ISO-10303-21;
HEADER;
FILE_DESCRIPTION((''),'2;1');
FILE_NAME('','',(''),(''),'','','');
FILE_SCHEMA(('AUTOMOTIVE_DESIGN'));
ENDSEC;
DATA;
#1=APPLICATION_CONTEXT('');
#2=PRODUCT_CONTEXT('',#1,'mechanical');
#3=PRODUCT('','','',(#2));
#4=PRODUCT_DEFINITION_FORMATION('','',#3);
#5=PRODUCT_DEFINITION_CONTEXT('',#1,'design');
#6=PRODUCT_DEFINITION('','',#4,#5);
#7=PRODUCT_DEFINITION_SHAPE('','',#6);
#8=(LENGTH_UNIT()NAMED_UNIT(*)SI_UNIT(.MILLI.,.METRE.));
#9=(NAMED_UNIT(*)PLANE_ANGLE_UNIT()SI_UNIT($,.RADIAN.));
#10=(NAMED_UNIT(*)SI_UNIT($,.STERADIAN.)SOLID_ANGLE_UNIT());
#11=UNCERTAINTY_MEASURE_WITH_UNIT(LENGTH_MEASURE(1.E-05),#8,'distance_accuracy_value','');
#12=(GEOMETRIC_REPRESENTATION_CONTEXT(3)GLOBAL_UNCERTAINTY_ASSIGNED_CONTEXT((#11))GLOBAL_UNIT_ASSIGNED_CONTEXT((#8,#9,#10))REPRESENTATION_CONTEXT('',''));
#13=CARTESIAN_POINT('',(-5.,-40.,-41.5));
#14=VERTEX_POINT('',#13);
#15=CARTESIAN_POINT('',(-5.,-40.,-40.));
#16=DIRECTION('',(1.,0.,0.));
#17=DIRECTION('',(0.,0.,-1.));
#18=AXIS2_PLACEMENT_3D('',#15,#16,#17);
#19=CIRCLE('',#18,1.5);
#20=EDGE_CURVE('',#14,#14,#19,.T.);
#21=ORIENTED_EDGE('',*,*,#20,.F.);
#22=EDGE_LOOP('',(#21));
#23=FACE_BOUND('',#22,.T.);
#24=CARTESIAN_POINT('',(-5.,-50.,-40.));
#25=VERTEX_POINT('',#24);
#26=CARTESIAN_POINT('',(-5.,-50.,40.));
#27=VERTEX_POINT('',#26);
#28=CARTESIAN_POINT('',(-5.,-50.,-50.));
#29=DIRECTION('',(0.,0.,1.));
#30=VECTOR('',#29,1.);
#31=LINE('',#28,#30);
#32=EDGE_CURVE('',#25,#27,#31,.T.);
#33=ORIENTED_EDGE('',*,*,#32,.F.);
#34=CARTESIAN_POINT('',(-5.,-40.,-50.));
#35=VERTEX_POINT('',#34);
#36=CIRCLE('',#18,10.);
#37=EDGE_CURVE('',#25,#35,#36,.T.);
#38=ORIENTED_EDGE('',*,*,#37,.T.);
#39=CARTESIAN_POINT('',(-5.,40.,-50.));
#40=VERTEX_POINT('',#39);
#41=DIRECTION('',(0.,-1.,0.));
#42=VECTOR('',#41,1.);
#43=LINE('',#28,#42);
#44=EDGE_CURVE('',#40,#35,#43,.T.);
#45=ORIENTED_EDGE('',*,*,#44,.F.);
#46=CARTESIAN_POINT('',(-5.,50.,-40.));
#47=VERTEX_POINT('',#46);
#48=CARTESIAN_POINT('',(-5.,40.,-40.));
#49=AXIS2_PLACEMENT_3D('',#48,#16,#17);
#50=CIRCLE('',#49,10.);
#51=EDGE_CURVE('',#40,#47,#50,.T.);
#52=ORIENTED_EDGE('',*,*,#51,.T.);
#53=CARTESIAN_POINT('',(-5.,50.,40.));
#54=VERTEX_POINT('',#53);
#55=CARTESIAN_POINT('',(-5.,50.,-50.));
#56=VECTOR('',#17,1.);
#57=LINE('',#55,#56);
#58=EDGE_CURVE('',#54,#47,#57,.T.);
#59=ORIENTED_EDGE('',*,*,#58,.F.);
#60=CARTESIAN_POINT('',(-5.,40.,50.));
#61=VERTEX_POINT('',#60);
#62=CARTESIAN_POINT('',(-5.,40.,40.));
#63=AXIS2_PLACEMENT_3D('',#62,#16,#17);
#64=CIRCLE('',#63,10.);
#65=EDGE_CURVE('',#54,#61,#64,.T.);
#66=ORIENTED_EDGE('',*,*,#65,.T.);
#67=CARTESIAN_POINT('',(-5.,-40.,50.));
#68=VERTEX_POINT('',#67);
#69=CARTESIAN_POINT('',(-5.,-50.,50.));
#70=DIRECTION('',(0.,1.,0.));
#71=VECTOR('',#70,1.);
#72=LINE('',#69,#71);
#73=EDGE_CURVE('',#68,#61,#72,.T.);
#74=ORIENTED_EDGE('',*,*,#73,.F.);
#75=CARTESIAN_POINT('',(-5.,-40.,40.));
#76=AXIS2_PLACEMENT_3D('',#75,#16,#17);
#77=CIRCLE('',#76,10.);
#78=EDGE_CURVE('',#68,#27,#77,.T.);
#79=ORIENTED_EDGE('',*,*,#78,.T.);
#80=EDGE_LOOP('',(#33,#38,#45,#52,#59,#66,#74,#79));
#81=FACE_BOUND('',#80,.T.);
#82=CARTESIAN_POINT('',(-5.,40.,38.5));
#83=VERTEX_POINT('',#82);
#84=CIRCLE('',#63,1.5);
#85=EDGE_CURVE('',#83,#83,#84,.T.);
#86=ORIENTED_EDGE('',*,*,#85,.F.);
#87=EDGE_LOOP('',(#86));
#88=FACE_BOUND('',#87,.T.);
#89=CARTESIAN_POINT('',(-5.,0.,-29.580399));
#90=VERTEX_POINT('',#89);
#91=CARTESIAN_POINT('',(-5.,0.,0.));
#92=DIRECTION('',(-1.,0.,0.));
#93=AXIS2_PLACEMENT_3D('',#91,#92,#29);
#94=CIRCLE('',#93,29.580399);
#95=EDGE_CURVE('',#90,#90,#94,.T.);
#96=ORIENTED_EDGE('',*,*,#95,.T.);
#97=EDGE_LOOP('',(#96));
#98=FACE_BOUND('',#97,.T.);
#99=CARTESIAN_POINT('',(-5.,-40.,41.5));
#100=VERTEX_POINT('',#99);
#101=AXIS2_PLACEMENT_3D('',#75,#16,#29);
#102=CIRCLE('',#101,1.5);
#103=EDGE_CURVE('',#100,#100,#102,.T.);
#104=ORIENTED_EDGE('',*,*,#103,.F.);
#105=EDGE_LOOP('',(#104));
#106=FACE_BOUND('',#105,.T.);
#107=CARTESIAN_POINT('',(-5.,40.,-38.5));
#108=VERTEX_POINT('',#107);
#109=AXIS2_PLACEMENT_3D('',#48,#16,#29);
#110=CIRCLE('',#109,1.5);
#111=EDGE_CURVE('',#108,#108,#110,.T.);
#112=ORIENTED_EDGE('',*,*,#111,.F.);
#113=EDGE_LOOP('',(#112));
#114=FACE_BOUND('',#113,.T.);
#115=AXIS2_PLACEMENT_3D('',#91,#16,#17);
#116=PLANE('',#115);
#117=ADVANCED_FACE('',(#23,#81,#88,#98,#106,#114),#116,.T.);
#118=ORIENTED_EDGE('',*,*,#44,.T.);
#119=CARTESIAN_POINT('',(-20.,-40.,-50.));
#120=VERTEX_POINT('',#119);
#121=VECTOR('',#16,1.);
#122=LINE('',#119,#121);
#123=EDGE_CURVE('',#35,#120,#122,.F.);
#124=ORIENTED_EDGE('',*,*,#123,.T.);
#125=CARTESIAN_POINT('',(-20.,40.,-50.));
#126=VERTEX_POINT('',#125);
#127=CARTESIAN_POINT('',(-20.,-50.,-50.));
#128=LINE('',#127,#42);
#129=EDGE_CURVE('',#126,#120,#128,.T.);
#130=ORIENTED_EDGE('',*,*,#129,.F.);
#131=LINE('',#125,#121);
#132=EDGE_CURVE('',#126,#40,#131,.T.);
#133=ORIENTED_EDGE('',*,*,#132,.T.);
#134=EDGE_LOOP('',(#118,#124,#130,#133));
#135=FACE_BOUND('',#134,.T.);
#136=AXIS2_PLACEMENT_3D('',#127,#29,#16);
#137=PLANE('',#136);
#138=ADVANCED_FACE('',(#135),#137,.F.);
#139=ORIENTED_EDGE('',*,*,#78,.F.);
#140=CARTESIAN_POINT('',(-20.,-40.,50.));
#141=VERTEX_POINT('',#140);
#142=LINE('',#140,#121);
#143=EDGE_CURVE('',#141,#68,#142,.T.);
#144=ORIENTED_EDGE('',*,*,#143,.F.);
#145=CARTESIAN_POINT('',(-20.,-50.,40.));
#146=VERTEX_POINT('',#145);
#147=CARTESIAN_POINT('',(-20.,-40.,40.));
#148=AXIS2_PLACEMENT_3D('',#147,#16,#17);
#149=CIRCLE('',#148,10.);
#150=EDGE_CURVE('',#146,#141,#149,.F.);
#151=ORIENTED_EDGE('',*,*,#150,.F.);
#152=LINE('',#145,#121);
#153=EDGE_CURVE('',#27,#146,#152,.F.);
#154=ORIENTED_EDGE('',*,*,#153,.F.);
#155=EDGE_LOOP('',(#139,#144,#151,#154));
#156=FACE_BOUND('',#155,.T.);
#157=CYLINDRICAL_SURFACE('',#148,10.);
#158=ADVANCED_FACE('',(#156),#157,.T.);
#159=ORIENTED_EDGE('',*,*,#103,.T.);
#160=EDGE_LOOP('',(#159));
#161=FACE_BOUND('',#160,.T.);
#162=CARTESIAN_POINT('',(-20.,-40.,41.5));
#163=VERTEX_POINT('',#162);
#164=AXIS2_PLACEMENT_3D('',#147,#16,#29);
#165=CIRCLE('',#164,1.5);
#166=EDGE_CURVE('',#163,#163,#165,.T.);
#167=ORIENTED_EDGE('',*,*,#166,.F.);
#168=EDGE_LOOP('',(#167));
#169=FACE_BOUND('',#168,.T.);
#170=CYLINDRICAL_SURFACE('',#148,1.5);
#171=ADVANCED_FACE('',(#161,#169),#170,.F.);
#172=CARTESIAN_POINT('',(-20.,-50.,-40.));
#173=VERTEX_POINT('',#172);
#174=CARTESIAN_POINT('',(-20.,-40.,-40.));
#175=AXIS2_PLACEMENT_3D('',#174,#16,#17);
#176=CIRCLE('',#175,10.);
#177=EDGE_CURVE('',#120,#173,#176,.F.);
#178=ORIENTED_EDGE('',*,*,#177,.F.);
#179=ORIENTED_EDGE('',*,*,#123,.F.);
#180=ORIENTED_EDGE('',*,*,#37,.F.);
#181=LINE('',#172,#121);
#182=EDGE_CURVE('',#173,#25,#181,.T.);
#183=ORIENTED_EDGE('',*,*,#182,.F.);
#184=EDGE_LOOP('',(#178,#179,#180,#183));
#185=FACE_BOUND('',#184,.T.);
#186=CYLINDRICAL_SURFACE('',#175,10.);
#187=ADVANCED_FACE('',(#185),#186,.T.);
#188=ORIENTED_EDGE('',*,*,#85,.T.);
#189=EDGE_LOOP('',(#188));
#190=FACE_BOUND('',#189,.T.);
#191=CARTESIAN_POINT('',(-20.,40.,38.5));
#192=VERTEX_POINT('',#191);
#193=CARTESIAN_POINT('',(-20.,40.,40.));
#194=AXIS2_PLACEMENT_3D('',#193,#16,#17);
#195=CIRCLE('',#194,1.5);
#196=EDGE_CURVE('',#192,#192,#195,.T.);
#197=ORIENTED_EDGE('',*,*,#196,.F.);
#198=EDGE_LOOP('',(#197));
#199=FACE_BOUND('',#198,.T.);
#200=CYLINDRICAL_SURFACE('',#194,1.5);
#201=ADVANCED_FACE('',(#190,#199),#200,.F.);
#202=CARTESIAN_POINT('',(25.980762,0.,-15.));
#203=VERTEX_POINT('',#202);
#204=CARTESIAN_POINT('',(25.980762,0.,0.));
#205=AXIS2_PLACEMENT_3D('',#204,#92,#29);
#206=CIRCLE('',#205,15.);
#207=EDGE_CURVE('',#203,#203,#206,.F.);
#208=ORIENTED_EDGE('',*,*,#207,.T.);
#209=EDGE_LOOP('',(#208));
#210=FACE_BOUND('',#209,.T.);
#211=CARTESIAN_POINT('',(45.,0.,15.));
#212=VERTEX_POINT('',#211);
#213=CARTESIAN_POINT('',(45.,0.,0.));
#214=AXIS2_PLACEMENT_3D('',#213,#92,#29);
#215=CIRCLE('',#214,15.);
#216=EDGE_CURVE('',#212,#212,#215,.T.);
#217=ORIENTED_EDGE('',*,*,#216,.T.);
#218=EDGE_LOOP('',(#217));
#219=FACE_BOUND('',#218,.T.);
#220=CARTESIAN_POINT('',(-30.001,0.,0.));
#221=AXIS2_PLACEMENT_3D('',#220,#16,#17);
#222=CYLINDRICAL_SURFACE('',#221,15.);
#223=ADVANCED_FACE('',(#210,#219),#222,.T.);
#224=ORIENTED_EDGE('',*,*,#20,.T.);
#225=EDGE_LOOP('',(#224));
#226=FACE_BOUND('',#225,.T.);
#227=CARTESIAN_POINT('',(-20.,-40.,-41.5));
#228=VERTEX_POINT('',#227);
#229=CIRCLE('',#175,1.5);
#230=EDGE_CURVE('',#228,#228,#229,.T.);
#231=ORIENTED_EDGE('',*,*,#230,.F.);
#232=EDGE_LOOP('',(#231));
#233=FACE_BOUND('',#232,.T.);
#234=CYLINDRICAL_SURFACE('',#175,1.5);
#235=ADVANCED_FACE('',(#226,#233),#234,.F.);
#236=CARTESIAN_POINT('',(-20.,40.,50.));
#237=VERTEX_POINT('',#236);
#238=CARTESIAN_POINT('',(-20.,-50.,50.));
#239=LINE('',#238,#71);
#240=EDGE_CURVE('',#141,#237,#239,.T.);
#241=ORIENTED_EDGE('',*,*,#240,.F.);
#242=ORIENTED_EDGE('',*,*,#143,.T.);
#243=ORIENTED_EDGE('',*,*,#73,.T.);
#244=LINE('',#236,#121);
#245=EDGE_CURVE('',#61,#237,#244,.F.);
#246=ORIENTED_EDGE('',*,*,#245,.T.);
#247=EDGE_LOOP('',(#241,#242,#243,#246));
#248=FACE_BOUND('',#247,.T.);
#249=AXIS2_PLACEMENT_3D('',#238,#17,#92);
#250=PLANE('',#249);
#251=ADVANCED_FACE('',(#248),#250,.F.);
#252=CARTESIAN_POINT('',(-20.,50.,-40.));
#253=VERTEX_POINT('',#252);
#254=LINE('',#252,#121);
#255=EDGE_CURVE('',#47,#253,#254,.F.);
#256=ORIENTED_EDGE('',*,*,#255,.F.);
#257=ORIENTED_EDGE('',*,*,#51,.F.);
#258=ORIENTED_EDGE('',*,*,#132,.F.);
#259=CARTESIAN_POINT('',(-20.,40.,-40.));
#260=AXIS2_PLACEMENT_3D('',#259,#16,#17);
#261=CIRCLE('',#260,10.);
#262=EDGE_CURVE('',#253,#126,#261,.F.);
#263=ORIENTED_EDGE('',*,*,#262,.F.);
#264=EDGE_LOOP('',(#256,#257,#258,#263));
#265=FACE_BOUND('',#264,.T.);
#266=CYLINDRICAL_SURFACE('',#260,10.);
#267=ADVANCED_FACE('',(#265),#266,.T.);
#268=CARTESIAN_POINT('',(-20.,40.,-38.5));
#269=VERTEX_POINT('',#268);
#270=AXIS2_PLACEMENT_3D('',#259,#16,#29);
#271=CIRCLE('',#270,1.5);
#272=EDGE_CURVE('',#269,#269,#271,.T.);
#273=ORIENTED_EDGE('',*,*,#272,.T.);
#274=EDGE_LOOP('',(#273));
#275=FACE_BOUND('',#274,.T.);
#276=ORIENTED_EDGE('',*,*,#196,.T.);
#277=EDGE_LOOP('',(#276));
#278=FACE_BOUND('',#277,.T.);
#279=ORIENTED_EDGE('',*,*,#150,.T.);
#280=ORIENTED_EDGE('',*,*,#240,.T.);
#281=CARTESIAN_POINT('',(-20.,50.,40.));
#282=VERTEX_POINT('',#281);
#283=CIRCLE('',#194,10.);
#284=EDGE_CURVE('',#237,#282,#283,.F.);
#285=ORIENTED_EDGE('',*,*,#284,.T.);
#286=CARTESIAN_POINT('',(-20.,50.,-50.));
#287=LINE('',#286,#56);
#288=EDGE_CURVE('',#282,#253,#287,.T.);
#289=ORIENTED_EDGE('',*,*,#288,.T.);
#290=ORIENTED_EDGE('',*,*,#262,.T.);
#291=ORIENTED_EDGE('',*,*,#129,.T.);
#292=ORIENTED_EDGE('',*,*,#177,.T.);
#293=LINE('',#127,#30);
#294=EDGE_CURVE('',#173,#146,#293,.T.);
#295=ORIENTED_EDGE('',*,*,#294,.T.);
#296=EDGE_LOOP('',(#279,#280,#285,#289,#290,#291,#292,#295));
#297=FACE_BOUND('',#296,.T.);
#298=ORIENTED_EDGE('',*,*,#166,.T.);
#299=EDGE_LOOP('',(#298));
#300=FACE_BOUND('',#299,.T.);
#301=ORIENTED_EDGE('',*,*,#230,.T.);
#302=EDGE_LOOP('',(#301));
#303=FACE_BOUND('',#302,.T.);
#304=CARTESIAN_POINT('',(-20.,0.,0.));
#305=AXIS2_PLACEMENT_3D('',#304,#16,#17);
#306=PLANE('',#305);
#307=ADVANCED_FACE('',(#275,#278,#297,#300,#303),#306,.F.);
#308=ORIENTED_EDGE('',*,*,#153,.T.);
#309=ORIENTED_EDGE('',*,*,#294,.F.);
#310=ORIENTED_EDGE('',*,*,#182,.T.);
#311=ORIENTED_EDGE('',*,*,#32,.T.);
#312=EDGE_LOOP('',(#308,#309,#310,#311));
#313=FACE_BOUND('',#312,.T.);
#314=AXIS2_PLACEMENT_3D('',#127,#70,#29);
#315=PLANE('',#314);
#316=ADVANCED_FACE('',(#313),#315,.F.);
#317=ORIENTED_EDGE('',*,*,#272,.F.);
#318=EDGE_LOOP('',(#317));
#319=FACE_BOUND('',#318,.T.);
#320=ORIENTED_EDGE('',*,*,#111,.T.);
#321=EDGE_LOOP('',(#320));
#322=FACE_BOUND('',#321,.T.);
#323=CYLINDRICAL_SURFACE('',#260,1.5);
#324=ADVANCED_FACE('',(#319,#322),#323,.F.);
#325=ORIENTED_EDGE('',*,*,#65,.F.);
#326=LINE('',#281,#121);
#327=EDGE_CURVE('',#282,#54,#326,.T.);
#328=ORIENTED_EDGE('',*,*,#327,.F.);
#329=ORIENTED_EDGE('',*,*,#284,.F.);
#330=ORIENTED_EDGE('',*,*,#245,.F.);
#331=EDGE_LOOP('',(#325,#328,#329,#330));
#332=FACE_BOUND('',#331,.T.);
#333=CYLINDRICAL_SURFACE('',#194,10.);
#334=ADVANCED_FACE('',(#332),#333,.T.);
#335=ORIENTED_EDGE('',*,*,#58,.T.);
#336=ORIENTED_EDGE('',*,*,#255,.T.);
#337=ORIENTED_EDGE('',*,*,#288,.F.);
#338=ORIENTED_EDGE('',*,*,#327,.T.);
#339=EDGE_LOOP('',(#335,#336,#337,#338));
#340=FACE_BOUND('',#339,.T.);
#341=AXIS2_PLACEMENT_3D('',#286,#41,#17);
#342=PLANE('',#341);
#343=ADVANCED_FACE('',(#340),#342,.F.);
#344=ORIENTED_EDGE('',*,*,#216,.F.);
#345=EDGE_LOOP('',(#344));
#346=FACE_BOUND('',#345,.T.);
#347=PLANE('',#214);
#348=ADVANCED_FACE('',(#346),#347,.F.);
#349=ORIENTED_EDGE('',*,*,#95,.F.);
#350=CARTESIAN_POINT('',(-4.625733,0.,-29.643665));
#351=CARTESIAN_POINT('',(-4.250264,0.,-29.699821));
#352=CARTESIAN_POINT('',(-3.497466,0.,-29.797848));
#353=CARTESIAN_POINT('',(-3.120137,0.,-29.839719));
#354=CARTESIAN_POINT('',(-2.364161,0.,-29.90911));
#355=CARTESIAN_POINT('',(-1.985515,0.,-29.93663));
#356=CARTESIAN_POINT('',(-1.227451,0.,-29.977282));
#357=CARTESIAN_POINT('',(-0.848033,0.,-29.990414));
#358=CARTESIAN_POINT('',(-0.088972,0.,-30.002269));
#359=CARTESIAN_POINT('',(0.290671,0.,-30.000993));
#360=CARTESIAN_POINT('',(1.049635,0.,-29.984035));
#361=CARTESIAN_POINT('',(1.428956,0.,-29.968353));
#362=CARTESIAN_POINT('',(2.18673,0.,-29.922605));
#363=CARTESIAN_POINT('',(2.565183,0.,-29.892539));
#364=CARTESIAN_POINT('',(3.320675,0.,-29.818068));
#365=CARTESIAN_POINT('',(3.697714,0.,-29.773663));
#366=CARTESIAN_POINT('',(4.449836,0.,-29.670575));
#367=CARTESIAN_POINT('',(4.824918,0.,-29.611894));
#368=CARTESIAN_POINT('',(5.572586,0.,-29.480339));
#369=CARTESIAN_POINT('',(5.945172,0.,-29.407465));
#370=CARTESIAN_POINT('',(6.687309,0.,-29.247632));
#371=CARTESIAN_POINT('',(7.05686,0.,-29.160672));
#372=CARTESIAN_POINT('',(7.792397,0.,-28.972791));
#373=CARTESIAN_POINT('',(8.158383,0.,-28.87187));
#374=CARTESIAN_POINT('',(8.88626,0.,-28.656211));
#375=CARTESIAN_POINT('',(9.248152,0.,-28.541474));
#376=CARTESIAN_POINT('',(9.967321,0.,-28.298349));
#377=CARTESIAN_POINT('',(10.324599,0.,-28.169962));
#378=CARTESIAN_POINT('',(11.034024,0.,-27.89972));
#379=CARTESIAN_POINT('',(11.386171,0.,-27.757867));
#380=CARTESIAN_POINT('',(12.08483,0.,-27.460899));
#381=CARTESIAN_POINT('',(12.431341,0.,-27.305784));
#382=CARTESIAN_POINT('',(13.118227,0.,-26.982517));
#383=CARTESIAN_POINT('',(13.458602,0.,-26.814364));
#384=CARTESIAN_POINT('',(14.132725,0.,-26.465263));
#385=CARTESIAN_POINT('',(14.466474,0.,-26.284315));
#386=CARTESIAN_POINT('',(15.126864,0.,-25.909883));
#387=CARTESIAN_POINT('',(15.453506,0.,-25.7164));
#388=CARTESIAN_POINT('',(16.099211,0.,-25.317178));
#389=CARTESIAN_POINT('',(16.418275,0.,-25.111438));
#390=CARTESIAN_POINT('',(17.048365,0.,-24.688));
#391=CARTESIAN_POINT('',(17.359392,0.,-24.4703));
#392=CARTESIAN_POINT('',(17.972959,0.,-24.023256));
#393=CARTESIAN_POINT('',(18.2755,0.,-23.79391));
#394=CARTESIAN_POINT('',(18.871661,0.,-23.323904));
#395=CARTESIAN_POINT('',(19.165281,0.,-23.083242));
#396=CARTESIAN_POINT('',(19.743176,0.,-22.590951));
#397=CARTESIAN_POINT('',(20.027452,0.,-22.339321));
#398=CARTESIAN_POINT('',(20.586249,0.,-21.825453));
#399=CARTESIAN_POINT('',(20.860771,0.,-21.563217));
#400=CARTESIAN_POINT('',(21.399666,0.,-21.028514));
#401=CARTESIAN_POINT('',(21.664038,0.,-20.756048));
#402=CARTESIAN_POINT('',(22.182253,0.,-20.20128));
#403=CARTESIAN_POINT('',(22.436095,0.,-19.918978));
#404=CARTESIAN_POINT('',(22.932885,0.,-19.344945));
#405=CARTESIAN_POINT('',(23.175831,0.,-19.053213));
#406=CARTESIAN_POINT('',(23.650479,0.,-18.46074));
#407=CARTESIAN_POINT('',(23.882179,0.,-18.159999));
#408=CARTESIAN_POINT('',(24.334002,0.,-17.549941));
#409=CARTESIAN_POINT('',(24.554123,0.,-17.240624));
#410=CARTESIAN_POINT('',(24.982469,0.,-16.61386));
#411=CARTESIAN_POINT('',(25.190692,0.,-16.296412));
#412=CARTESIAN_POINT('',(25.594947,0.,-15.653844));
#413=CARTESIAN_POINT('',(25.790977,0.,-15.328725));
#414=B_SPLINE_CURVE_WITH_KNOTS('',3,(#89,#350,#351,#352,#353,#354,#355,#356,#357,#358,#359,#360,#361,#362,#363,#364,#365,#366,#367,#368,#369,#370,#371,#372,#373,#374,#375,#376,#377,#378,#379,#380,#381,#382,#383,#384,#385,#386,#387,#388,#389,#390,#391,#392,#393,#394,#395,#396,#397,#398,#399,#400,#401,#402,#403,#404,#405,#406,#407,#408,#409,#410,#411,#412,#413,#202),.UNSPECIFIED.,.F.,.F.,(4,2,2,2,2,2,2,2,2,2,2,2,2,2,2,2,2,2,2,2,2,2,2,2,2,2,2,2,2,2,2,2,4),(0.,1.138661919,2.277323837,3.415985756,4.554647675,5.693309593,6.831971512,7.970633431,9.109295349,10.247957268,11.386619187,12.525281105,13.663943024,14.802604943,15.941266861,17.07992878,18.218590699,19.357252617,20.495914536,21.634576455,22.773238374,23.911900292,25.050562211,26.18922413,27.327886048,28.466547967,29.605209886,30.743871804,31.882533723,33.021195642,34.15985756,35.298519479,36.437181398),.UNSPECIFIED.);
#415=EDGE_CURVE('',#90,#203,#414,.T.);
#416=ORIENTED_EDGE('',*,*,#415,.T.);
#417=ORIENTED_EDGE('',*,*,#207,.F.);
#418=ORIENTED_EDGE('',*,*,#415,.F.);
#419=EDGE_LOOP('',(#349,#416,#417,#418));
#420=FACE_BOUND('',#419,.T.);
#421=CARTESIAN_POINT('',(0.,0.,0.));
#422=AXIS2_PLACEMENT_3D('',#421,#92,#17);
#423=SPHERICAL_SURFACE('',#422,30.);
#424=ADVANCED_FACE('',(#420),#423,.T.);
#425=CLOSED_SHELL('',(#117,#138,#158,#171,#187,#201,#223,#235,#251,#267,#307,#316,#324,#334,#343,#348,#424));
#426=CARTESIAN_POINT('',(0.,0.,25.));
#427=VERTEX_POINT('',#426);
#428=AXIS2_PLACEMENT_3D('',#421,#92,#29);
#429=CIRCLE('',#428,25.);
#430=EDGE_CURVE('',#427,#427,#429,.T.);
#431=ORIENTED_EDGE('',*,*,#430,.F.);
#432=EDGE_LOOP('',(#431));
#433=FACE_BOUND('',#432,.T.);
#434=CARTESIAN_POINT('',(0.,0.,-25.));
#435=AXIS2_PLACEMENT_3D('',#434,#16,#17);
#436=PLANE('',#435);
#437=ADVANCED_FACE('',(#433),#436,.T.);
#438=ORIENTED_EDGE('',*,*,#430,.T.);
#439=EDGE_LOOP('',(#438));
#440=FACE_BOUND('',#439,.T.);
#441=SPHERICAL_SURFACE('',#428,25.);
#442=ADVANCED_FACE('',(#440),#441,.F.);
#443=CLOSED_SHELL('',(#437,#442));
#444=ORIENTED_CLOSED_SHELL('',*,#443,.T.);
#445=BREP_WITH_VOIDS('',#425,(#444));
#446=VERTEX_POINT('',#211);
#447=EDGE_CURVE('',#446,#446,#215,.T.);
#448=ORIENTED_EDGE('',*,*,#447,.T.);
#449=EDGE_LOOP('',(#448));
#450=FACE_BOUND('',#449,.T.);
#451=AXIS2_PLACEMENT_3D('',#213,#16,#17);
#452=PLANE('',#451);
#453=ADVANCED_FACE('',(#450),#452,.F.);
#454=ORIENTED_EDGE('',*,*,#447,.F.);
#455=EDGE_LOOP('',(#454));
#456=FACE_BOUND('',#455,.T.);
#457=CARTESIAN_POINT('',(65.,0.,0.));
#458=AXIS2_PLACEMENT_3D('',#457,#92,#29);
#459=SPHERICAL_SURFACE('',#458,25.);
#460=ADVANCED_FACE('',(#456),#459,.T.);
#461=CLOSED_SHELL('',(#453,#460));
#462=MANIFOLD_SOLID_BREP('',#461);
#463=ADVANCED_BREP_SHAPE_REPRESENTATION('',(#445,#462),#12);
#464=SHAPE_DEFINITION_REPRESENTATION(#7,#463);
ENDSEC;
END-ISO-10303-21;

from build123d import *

# Parameters (mm, degrees)
SALIENTE_EXTRUIR2_START             = -40
CROQUIS4_R                          = 15
SALIENTE_EXTRUIR2_DEPTH             = 10
SALIENTE_EXTRUIR2_DIRECTION_2_REACH = 97
CROQUIS6_W                          = 100
CROQUIS6_H                          = 100
SALIENTE_EXTRUIR3_DEPTH             = 15
REDONDEO1_R                         = 10
CROQUIS7_R                          = 1.5
CORTAR_EXTRUIR1_DEPTH               = 15


with BuildPart() as part:
    # Croquis2 → Revolución-Lámina1 (revolve)
    with BuildSketch(Plane(origin=(0, 0, 0), x_dir=(1, 0, 0), z_dir=(0, 1, 0))):
        with BuildLine():
            ThreePointArc((25, 0), (17.67766953, 17.67766953), (0, 25))
            Line((0, 25), (0, 0))
            Line((0, 0), (-5, 0))
            Line((-5, 0), (-5, 29.580398915))
            ThreePointArc((-5, 29.580398915), (19.364916731, 22.912878475), (30, 0))
            Line((30, 0), (25, 0))
        make_face()
    revolve(axis=Axis((0, 0, 0), (1, 0, 0)))

    # Croquis4 → Saliente-Extruir2 (add)
    with BuildSketch(Plane.ZY.offset(5).offset(SALIENTE_EXTRUIR2_START)):
        with Locations(Location((0, 0, 0), (0, 0, 180))):
            Circle(CROQUIS4_R)
    extrude(amount=-SALIENTE_EXTRUIR2_DEPTH)

    # Croquis4 → Saliente-Extruir2 direction 2 (add, up to next)
    with BuildSketch(Plane.ZY.offset(5).offset(SALIENTE_EXTRUIR2_START), mode=Mode.PRIVATE) as saliente_extruir2_direction_2_sk1:
        with Locations(Location((0, 0, 0), (0, 0, 180))):
            Circle(CROQUIS4_R)
    saliente_extruir2_direction_2_tool1 = extrude(saliente_extruir2_direction_2_sk1.sketch, amount=SALIENTE_EXTRUIR2_DIRECTION_2_REACH, mode=Mode.PRIVATE) - part.part
    add(saliente_extruir2_direction_2_tool1.solids().sort_by_distance((35, 0, 0))[0])

    # Croquis6 → Saliente-Extruir3 (add)
    with BuildSketch(Plane.ZY.offset(5)):
        Rectangle(CROQUIS6_W, CROQUIS6_H)
    extrude(amount=SALIENTE_EXTRUIR3_DEPTH)

    # Redondeo1
    redondeo1_edges = [part.edges().sort_by_distance(p)[0] for p in [
        (-12.5, -50, 50),
        (-12.5, 50, 50),
        (-12.5, 50, -50),
        (-12.5, -50, -50),
    ]]
    fillet(redondeo1_edges, radius=REDONDEO1_R)

    # Croquis7 → Cortar-Extruir1 (cut)
    with BuildSketch(Plane(origin=(-5, 0, 0), x_dir=(0, 0, -1), z_dir=(1, 0, 0))):
        with Locations((-40, 40)):
            Circle(CROQUIS7_R)
        with Locations(Location((40, 40, 0), (0, 0, 180))):
            Circle(CROQUIS7_R)
        with Locations((40, -40)):
            Circle(CROQUIS7_R)
        with Locations(Location((-40, -40, 0), (0, 0, 180))):
            Circle(CROQUIS7_R)
    extrude(amount=-CORTAR_EXTRUIR1_DEPTH, mode=Mode.SUBTRACT)


with BuildPart() as body_2:
    # Croquis5 → Revolución1 (revolve)
    with BuildSketch(Plane(origin=(0, 0, 0), x_dir=(1, 0, 0), z_dir=(0, 1, 0)), mode=Mode.PRIVATE) as revoluci_n1_sk:
        with BuildLine():
            Line((45, 0), (45, 15))
            ThreePointArc((45, 15), (72.90569415, 23.717082451), (90, 0))
            Line((90, 0), (45, 0))
        make_face()
    revolve(revoluci_n1_sk.sketch.rotate(Axis((45, 0, 0), (1, 0, 0)), 180), axis=Axis((45, 0, 0), (1, 0, 0)))


solid = Compound([part.part, body_2.part])
